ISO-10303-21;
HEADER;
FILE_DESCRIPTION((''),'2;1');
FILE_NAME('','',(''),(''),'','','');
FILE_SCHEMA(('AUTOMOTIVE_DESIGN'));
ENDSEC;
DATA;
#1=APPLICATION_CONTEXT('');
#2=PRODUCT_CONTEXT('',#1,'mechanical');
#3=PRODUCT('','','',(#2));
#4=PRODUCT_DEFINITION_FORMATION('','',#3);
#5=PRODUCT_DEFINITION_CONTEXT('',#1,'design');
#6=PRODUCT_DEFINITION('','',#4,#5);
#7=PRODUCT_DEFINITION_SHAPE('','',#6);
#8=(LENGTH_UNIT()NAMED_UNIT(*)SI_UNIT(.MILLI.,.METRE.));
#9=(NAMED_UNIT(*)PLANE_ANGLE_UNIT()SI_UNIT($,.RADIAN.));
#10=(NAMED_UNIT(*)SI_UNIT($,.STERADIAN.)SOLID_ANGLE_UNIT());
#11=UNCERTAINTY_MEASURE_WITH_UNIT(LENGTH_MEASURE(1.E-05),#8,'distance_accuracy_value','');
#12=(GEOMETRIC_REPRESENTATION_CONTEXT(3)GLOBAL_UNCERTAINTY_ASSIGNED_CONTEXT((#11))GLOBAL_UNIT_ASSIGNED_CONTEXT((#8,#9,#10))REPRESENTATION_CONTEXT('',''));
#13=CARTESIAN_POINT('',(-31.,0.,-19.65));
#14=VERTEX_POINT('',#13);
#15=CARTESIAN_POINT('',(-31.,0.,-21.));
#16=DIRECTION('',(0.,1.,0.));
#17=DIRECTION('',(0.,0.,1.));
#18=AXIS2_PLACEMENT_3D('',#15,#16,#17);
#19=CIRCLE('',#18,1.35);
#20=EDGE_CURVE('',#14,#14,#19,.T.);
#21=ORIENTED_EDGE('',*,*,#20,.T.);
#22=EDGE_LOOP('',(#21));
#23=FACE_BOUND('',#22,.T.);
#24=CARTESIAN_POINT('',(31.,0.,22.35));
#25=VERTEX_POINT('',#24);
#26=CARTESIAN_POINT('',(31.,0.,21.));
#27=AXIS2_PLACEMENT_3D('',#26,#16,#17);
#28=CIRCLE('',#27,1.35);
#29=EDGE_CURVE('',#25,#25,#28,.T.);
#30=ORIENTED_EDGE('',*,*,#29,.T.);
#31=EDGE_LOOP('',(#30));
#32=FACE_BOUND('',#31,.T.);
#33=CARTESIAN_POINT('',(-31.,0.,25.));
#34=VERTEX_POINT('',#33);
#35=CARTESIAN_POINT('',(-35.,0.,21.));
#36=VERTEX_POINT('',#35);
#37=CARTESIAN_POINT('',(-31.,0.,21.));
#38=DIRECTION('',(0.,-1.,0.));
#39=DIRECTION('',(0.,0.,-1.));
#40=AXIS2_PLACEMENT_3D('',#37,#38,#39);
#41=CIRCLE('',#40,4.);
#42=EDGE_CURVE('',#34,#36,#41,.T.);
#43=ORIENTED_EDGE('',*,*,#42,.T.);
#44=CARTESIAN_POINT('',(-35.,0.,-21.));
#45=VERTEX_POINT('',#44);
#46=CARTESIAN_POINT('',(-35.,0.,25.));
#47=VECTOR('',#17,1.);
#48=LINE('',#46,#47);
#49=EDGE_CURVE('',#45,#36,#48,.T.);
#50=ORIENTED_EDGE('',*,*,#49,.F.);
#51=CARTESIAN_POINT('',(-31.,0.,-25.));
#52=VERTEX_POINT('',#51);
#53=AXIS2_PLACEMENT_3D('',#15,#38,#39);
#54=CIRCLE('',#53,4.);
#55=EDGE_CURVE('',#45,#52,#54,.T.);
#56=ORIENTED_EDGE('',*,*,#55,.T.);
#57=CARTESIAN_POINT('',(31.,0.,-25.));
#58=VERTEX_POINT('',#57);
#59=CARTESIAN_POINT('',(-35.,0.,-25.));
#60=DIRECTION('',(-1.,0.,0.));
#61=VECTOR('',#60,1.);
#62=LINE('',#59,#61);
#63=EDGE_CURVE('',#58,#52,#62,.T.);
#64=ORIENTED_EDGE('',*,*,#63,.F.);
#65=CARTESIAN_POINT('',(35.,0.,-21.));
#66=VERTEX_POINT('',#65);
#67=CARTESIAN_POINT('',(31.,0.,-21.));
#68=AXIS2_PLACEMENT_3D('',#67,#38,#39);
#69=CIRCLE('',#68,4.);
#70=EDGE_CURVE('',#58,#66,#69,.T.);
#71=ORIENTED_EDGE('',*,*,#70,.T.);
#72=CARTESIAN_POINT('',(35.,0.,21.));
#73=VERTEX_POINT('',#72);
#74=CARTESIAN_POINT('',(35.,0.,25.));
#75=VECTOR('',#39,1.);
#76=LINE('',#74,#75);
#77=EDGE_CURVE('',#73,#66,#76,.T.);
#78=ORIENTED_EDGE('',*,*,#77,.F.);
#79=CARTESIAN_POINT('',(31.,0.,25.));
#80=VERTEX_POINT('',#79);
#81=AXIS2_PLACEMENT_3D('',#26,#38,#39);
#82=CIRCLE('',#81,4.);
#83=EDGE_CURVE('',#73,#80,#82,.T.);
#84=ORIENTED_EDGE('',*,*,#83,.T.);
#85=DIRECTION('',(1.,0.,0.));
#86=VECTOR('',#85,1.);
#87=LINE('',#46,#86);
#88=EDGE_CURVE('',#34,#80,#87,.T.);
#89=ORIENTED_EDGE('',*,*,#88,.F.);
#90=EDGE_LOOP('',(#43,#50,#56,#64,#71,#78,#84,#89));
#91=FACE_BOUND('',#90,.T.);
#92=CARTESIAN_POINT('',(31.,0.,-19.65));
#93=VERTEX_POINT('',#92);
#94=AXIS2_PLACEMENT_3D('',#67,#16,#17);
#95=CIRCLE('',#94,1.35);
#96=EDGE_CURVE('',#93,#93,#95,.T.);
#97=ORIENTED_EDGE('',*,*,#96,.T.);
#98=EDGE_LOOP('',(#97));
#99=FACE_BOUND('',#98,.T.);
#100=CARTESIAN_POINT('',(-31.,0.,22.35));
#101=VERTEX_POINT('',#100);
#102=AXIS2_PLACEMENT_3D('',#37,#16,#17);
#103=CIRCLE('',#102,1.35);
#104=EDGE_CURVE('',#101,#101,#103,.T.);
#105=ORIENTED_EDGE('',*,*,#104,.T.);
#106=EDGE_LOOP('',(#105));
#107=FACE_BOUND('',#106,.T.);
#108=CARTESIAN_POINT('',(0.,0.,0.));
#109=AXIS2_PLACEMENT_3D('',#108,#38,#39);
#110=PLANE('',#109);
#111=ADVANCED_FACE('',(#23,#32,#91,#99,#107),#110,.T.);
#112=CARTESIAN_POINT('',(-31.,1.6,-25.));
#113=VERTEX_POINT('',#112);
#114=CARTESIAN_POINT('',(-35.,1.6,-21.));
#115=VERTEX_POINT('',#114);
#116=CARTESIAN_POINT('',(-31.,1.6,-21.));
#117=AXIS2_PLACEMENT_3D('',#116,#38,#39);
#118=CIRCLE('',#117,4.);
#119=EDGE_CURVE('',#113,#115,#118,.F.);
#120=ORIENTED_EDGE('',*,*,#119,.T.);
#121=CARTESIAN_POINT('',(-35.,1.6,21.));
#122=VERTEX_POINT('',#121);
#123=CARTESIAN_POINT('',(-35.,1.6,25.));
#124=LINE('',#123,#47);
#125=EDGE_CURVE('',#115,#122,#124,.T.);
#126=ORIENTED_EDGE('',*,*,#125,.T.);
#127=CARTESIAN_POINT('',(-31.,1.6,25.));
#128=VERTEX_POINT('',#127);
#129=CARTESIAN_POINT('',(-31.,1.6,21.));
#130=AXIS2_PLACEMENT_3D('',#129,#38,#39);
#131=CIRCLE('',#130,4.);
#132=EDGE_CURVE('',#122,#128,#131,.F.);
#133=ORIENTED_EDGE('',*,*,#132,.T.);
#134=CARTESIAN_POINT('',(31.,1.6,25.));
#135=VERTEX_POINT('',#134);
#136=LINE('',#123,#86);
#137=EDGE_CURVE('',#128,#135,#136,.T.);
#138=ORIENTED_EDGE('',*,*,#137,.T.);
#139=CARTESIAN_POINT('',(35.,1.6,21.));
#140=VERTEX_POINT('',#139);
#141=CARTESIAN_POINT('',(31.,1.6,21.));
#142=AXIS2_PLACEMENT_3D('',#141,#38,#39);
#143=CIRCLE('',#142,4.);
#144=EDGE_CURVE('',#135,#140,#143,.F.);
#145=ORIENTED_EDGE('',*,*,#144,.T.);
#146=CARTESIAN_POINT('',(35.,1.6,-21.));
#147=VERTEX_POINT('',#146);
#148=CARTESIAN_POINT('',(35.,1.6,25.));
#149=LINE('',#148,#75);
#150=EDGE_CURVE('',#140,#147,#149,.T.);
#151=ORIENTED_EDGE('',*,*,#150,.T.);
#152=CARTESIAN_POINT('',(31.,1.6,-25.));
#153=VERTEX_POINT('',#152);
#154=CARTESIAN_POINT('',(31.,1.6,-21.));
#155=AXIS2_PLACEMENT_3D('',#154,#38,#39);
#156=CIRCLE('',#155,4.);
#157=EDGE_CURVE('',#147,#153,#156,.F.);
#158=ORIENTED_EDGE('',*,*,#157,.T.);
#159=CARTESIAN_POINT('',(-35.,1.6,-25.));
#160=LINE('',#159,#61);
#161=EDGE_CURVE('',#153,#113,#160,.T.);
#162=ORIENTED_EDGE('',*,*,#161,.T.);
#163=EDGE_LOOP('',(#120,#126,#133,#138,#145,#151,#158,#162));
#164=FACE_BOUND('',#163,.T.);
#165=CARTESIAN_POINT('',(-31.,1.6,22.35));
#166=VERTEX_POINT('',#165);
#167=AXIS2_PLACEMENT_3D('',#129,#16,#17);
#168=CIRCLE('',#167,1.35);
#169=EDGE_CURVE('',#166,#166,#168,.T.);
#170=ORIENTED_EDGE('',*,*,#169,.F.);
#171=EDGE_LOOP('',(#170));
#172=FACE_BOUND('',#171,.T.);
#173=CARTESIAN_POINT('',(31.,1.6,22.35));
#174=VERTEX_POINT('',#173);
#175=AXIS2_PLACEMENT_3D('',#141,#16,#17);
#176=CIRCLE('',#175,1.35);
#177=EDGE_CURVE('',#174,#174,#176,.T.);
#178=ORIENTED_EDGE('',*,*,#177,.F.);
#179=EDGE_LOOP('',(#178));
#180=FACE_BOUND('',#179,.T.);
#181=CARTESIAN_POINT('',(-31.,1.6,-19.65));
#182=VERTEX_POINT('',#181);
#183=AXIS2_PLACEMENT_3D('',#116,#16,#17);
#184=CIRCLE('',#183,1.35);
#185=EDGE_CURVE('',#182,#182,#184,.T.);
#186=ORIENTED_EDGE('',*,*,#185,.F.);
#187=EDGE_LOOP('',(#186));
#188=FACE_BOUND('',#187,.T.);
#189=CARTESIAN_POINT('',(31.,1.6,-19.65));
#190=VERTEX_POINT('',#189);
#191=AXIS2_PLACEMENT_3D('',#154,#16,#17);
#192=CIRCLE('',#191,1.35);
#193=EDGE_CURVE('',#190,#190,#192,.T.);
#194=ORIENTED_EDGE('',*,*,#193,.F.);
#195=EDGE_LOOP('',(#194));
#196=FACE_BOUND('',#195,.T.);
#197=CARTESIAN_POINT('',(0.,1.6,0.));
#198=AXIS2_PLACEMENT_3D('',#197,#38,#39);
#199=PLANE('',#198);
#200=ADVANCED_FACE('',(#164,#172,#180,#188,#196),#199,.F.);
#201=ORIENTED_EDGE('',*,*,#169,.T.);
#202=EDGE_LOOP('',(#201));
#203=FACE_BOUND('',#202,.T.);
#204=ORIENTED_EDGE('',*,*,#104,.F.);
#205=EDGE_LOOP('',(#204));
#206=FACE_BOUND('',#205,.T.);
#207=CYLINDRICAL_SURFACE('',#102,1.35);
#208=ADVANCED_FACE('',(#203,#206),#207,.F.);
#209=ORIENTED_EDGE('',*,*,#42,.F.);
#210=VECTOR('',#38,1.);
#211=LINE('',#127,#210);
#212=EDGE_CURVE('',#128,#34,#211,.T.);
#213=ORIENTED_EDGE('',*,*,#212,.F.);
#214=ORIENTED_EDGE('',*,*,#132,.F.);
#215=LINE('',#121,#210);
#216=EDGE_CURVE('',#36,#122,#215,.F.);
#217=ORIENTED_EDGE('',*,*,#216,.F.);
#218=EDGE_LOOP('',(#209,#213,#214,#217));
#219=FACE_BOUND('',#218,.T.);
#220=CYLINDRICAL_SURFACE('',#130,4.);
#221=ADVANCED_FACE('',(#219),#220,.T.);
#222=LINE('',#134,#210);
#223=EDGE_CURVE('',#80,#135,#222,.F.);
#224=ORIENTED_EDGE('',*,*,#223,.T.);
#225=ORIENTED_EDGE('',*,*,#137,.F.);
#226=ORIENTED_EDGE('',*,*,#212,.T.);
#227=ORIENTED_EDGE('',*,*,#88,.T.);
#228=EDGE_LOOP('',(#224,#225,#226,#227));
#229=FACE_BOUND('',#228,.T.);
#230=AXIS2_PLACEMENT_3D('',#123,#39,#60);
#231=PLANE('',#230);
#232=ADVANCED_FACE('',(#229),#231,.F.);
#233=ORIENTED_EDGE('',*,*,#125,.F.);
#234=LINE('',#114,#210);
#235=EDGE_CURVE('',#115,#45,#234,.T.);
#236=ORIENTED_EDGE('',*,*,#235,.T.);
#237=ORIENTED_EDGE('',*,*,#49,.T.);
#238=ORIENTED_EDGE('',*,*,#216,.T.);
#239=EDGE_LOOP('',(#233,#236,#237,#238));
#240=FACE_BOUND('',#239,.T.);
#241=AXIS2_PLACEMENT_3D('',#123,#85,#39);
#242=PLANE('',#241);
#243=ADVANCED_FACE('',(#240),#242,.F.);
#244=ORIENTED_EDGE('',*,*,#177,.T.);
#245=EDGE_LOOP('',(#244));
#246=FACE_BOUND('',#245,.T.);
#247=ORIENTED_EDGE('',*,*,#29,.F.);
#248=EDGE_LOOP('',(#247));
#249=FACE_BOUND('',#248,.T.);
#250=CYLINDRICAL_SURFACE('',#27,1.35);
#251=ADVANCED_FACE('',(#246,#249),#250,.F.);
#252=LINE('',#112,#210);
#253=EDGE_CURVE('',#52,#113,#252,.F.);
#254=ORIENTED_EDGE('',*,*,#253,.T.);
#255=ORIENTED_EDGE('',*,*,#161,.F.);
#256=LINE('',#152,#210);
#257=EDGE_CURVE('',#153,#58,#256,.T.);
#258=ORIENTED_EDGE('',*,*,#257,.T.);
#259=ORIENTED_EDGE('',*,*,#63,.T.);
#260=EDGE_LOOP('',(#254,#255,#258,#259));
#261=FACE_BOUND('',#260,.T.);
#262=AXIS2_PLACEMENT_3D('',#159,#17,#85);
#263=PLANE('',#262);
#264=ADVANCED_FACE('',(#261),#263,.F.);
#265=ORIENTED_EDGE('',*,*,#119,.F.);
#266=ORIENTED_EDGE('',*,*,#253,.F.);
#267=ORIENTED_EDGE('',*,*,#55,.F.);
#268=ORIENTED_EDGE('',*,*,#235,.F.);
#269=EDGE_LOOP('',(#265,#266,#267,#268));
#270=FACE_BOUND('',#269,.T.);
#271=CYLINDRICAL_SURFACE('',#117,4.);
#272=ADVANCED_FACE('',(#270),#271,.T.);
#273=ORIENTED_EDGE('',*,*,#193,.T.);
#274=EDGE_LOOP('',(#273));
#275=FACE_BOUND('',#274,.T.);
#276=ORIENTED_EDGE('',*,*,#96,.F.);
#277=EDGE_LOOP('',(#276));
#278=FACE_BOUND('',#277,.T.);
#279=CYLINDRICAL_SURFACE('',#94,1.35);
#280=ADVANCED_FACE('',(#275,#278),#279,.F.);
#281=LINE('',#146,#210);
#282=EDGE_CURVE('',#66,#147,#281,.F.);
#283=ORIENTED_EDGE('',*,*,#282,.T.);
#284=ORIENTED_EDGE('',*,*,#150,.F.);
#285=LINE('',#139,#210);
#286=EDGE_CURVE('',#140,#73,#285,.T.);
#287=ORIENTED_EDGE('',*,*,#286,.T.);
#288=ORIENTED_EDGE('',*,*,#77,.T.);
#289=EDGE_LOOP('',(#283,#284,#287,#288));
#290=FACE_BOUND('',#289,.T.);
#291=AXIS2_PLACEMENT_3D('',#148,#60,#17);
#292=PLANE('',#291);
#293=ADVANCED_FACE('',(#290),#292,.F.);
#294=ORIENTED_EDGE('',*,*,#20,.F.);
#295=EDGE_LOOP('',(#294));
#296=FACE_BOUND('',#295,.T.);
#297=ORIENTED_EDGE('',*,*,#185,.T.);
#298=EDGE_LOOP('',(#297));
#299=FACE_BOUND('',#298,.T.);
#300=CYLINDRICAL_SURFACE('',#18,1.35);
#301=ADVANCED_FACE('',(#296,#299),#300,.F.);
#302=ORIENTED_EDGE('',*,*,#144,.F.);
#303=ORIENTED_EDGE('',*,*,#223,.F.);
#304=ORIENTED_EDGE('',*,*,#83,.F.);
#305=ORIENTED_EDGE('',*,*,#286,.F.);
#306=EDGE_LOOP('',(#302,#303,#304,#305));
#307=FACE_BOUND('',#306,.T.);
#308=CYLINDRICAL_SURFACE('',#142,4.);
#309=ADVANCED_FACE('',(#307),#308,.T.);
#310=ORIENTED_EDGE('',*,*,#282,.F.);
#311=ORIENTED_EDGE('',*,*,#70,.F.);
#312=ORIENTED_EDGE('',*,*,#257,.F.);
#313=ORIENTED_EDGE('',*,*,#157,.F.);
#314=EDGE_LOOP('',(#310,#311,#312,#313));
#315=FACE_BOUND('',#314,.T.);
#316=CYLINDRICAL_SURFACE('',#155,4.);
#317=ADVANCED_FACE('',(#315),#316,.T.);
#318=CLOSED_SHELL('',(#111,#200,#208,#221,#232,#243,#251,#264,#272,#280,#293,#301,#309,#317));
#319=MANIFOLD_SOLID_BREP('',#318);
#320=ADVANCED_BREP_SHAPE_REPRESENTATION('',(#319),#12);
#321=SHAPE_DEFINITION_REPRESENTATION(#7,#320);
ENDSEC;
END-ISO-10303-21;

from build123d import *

# Parameters (mm, degrees)
SKETCH1_W           = 70
SKETCH1_H           = 50
BOSS_EXTRUDE1_DEPTH = 1.6
SKETCH2_R           = 1.35
CUT_EXTRUDE1_DEPTH  = 2.6
FILLET1_R           = 4


with BuildPart() as part:
    # Sketch1 → Boss-Extrude1 (new body)
    with BuildSketch(Plane(origin=(0, 0, 0), x_dir=(1, 0, 0), z_dir=(0, 1, 0))):
        Rectangle(SKETCH1_W, SKETCH1_H)
    extrude(amount=BOSS_EXTRUDE1_DEPTH)

    # Sketch2 → Cut-Extrude1 (cut, through all)
    with BuildSketch(Plane(origin=(0, 1.6, 0), x_dir=(1, 0, 0), z_dir=(0, 1, 0))):
        with Locations((-31, 21)):
            Circle(SKETCH2_R)
        with Locations((31, 21)):
            Circle(SKETCH2_R)
        with Locations((31, -21)):
            Circle(SKETCH2_R)
        with Locations((-31, -21)):
            Circle(SKETCH2_R)
    extrude(amount=-CUT_EXTRUDE1_DEPTH, mode=Mode.SUBTRACT)

    # Fillet1
    fillet1_edges = [part.edges().sort_by_distance(p)[0] for p in [
        (35, 0.8, 25),
        (-35, 0.8, 25),
        (-35, 0.8, -25),
        (35, 0.8, -25),
    ]]
    fillet(fillet1_edges, radius=FILLET1_R)


solid = part.part
